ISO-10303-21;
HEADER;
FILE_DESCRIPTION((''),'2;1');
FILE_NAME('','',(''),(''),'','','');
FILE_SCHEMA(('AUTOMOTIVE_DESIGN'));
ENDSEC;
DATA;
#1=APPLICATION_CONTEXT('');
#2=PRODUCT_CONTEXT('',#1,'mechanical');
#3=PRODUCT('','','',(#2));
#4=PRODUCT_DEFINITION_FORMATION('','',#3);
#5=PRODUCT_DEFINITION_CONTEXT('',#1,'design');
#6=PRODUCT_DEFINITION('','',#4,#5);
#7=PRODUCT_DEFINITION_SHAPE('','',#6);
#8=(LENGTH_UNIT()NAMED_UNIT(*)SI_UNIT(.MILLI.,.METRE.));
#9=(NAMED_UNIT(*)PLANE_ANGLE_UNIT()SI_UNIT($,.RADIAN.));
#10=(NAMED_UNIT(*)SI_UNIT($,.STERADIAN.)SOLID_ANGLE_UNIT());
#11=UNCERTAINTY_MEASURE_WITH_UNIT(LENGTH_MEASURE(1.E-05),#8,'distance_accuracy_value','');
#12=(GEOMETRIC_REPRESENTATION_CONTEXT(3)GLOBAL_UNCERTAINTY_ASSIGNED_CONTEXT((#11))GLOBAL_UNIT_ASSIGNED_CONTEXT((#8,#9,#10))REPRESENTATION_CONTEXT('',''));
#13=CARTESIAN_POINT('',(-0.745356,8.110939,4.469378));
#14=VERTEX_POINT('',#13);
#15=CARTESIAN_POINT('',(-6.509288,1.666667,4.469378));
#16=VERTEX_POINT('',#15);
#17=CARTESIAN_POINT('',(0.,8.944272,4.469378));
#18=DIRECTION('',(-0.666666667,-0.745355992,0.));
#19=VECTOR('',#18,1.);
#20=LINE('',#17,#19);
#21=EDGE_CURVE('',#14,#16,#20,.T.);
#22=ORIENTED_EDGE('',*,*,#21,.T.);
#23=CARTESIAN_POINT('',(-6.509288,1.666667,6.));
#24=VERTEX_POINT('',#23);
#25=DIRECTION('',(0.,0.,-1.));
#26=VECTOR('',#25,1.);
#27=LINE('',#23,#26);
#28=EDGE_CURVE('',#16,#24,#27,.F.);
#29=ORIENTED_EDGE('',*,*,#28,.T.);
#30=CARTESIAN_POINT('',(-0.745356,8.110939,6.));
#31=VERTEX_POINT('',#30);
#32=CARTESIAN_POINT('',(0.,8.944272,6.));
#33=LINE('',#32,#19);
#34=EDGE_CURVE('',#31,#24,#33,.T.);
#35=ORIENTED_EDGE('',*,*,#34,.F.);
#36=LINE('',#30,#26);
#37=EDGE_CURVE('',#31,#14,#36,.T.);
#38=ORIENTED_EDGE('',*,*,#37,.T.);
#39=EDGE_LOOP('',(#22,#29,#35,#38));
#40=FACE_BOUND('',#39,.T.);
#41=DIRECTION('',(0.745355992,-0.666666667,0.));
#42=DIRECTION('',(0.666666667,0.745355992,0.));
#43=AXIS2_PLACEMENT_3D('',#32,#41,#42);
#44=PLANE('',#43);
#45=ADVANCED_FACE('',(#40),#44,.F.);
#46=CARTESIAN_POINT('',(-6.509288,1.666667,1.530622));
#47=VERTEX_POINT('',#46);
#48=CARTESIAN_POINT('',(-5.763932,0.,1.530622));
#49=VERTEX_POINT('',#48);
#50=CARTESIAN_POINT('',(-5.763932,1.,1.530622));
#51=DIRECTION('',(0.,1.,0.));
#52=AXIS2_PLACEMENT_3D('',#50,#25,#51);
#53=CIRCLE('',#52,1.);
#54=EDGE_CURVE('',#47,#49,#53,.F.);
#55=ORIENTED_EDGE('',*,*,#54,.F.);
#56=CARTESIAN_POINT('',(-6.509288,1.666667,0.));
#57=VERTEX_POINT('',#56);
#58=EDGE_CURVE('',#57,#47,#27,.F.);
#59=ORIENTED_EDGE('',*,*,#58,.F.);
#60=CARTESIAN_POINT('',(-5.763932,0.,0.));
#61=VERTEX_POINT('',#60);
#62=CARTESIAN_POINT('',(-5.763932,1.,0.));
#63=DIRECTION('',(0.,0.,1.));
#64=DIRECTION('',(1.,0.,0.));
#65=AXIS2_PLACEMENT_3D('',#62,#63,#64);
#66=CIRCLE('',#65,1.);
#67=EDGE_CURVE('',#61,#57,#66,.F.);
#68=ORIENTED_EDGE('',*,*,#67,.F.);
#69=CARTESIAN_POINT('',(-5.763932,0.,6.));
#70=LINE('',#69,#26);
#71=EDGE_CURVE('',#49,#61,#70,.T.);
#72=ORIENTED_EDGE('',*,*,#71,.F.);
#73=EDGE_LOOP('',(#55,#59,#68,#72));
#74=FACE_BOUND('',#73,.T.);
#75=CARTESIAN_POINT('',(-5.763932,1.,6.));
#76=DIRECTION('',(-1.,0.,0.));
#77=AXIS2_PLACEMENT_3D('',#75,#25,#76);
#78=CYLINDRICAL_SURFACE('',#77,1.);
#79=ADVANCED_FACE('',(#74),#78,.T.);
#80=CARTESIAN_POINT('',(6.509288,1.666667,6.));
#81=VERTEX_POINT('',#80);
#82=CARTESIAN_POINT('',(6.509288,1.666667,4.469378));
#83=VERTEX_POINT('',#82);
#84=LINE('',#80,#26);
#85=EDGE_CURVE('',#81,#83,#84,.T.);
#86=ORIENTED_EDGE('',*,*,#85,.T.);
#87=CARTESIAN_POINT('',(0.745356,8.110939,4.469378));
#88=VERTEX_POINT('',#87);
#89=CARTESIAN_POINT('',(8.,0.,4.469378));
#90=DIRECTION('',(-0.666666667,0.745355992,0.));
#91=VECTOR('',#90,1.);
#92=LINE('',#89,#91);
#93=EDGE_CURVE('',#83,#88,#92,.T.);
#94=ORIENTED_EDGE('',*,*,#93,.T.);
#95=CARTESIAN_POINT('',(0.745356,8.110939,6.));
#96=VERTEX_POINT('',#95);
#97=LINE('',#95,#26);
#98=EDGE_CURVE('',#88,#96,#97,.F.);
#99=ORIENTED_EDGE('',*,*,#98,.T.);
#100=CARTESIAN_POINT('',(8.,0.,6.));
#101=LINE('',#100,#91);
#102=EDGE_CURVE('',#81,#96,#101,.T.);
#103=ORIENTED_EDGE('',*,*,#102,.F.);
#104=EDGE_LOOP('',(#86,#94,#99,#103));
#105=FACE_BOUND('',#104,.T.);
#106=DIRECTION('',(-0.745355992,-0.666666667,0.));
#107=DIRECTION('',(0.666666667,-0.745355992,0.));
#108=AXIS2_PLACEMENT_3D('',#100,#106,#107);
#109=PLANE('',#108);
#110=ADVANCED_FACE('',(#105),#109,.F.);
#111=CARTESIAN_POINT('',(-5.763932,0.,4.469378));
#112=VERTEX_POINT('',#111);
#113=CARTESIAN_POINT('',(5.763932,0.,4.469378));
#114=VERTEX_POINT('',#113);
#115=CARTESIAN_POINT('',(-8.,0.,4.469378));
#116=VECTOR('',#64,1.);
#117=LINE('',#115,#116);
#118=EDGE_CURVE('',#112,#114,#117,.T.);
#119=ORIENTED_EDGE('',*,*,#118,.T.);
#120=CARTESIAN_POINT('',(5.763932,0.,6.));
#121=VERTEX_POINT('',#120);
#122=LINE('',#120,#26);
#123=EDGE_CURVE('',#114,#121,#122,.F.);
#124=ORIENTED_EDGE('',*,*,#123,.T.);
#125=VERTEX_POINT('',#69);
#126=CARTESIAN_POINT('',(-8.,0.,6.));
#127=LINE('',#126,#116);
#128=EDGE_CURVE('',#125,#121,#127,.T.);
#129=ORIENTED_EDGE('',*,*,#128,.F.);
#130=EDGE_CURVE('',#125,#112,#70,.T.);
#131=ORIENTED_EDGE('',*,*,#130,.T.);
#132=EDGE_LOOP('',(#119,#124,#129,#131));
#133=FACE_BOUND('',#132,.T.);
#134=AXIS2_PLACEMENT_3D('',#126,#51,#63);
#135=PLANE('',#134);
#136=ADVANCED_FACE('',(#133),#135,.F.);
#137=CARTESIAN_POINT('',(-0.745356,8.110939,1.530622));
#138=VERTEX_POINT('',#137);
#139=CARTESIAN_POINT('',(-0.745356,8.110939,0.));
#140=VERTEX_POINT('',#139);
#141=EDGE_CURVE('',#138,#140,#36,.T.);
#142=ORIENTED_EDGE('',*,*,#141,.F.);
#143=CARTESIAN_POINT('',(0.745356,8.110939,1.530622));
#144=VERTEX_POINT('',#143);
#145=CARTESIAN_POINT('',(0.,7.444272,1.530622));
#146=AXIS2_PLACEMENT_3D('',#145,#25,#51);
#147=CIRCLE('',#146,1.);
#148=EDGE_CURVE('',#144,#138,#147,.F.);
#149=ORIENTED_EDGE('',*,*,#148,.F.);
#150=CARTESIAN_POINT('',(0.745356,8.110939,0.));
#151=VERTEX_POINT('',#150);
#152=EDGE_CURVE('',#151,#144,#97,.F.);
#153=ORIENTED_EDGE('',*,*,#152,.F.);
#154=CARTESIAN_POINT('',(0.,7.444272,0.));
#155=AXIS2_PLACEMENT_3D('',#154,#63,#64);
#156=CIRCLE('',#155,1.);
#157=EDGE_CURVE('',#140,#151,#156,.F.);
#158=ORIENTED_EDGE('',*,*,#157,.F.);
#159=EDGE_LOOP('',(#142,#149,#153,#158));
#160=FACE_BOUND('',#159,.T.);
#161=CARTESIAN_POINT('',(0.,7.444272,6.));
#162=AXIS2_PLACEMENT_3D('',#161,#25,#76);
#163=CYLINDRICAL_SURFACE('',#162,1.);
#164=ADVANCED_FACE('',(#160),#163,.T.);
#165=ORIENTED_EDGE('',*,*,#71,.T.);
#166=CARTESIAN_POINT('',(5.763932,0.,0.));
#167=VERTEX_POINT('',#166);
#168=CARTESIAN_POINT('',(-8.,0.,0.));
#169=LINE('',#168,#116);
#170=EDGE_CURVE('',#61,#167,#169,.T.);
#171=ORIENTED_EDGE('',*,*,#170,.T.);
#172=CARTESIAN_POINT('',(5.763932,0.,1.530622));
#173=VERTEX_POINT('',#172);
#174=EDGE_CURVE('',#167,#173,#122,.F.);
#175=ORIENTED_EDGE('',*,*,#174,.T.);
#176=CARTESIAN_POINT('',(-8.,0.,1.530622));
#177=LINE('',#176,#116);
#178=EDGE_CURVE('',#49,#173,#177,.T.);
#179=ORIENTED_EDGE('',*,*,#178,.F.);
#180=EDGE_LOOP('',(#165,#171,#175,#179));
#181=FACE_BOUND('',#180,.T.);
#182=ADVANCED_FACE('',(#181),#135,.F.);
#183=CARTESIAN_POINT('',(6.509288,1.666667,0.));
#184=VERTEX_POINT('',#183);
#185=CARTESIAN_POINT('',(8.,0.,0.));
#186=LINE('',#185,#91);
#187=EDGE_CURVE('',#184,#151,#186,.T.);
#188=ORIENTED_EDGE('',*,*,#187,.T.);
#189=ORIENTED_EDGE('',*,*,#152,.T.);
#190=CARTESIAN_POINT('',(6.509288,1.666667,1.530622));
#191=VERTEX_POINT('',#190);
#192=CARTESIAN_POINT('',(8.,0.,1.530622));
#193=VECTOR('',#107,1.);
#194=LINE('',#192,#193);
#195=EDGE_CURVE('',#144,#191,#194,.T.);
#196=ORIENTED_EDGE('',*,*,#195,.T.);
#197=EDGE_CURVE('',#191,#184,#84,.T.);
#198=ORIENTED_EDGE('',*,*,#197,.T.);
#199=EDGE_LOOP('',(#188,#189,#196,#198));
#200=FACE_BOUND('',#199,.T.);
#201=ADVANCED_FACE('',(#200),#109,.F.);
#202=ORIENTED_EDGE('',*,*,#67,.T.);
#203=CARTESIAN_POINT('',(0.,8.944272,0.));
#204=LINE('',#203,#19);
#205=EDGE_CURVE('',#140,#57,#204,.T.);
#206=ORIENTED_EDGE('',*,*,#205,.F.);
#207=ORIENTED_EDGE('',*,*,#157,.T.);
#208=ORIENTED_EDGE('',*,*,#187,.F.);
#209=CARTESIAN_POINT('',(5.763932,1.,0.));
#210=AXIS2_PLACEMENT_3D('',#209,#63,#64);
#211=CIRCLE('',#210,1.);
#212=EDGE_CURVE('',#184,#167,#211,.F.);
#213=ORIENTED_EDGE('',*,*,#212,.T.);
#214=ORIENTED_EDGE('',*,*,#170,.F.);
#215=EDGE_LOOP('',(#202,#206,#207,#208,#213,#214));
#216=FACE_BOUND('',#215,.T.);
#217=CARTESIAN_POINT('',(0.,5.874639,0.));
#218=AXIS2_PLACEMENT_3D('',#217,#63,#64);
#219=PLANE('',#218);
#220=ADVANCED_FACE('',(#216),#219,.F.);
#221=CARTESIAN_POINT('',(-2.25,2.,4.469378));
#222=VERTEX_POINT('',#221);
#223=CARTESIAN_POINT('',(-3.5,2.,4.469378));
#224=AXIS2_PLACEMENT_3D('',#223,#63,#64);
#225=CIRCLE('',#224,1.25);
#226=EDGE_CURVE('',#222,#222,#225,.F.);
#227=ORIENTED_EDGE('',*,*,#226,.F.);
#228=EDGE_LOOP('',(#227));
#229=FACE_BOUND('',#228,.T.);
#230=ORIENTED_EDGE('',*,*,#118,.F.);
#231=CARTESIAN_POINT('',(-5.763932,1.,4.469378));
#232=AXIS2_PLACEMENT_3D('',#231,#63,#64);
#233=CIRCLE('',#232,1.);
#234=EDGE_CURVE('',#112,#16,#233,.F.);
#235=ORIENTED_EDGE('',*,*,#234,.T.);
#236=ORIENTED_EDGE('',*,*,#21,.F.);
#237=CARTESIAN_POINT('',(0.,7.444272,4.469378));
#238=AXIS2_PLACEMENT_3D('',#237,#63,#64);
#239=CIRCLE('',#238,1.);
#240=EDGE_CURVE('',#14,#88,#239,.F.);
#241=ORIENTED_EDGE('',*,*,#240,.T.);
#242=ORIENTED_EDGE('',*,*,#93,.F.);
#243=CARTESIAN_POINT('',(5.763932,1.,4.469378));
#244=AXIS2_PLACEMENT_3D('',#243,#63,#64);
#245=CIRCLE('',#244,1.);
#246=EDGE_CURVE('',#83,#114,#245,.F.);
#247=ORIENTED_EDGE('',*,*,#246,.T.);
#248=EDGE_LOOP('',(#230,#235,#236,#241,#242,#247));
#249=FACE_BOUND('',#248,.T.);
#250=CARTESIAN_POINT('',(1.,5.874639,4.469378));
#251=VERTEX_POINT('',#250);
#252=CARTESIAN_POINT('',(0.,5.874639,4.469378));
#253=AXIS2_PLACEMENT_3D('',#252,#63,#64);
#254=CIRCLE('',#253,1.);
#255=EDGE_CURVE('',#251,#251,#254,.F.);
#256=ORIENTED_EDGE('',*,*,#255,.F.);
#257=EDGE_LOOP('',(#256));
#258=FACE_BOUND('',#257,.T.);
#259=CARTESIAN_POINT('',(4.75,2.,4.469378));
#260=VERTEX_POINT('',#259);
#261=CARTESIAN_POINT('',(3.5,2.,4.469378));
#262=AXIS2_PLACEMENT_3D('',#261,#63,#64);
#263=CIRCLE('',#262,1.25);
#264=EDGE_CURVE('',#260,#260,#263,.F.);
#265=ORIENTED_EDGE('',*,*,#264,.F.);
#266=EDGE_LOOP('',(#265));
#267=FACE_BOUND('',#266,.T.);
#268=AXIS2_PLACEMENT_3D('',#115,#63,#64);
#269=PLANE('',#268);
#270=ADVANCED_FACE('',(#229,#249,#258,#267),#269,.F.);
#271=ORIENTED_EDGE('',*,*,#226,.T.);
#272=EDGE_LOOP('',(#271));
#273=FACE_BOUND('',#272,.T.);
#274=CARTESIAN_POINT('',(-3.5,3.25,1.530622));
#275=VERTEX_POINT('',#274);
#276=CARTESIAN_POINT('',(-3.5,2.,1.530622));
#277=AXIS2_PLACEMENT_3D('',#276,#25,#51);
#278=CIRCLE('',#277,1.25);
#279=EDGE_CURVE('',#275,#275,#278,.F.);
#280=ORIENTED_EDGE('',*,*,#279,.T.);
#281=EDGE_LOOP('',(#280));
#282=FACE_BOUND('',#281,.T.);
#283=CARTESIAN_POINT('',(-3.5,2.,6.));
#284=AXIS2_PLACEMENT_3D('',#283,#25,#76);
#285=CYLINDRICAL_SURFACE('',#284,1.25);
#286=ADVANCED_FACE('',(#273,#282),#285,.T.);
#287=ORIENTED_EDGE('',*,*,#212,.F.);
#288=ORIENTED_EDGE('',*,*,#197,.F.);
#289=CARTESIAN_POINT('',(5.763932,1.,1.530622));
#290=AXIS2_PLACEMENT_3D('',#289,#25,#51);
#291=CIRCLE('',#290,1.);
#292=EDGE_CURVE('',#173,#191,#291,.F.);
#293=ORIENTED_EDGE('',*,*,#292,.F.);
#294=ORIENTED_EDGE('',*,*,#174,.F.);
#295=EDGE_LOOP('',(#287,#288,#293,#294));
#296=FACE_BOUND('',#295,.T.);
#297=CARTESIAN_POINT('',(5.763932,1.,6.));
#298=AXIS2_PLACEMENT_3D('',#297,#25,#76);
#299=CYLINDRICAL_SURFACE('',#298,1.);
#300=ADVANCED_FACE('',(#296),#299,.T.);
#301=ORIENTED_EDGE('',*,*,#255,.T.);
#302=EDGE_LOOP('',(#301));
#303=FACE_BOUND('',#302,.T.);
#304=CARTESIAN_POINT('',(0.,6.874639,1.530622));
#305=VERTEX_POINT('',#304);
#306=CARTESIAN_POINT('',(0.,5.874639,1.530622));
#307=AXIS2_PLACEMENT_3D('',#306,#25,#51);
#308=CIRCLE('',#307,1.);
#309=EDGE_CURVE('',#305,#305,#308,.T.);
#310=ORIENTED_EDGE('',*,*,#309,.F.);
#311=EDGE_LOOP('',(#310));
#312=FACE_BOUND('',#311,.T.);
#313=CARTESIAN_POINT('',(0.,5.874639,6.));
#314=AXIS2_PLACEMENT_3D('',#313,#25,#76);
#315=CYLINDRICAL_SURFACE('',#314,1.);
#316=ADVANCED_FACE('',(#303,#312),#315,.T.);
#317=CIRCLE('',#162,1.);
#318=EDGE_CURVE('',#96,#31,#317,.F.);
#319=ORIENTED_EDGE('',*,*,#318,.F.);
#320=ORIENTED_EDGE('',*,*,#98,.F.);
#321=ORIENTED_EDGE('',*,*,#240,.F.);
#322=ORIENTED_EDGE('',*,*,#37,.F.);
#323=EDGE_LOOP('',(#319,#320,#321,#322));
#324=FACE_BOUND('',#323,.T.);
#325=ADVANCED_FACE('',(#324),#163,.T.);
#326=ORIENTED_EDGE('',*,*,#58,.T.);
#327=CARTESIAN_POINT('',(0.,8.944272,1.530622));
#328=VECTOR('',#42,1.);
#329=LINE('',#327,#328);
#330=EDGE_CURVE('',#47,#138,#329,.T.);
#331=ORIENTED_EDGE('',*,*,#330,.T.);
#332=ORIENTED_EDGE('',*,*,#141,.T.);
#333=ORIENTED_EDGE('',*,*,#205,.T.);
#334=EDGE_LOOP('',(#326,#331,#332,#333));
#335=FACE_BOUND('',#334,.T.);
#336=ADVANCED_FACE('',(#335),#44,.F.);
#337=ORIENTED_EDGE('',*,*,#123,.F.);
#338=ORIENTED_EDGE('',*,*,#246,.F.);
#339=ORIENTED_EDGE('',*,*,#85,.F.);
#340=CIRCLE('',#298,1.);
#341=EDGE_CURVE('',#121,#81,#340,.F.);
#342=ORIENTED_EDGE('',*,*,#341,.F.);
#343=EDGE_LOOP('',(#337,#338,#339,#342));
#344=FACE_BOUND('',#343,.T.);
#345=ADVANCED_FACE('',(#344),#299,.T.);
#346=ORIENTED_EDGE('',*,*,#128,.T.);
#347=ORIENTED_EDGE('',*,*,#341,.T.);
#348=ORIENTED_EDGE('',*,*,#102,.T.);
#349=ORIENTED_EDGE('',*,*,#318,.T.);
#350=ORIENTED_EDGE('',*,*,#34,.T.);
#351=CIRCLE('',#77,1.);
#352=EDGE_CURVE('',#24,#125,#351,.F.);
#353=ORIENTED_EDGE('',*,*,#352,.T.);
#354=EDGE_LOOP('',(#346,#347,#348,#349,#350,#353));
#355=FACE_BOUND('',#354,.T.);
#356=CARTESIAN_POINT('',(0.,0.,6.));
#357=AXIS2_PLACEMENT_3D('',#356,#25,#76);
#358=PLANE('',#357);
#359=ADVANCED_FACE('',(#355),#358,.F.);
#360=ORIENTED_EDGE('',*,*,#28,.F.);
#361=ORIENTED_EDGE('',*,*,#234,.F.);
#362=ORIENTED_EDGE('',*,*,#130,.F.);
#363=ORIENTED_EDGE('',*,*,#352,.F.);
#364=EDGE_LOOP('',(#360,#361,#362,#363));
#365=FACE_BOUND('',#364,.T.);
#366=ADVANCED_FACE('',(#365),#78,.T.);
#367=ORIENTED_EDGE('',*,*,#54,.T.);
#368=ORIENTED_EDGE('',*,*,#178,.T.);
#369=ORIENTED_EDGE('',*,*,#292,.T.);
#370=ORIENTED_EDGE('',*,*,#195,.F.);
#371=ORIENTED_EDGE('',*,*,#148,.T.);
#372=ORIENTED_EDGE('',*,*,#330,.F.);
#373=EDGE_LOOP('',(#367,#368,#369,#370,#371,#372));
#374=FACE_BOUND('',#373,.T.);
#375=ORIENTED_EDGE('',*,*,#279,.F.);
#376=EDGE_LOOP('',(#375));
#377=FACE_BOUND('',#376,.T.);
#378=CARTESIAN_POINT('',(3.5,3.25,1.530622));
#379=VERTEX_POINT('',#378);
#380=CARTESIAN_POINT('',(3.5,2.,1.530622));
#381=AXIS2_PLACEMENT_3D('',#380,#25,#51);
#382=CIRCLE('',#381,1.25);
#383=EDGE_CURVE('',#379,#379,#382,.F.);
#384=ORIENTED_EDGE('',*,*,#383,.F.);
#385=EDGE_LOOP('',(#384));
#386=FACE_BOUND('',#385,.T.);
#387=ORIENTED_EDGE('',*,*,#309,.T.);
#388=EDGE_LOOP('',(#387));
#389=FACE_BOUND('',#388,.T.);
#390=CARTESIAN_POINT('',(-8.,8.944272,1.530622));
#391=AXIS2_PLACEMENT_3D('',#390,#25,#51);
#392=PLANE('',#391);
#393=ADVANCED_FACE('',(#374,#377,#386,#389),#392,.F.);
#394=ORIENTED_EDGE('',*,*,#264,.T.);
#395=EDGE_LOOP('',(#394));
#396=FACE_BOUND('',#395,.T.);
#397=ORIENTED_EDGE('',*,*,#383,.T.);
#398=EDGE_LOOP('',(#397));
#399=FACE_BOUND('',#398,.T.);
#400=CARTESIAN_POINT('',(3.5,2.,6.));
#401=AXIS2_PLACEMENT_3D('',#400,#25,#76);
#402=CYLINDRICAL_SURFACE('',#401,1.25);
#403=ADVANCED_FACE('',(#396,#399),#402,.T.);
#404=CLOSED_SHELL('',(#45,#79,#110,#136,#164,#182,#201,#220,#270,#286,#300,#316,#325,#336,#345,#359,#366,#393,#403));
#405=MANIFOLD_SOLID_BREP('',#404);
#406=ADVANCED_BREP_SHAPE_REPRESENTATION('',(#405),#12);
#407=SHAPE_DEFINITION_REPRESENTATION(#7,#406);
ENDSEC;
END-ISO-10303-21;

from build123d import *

# Parameters (mm, degrees)
BOSS_EXTRUDE1_DEPTH     = 6
CUT_EXTRUDE1_DEPTH      = 14.416407865
CUT_EXTRUDE1_DEPTH_BACK = 14.416407865
SKETCH2_W               = 2.938755012
SKETCH2_H               = 8.94427191
SKETCH3_R               = 1
SKETCH3_R_2             = 1.25
BOSS_EXTRUDE2_DEPTH     = 6
FILLET1_R               = 1


with BuildPart() as part:
    # Sketch1 → Boss-Extrude1 (new body)
    with BuildSketch(Plane.XY):
        Polygon((-8, 0), (8, 0), (0, 8.94427191), align=None)
    extrude(amount=BOSS_EXTRUDE1_DEPTH)

    # Sketch2 → Cut-Extrude1 (cut, two sides: drawn at the far end of the back side and taken through both)
    with BuildSketch(Plane(origin=(0, 0, 0), x_dir=(0, 0, -1), z_dir=(1, 0, 0)).offset(-CUT_EXTRUDE1_DEPTH_BACK)):
        with Locations((-3, 4.472135955)):
            Rectangle(SKETCH2_W, SKETCH2_H)
    extrude(amount=CUT_EXTRUDE1_DEPTH + CUT_EXTRUDE1_DEPTH_BACK, mode=Mode.SUBTRACT)


with BuildPart() as cut_extrude1_piece_1:
    # of the separate pieces the step leaves, piece 1, a body of its own (cut_extrude1_pieces)
    add(part.part.solids().sort_by_distance((-8, 0, 0))[0])



with BuildPart() as cut_extrude1_piece_2:
    # of the separate pieces the step leaves, piece 2, a body of its own (cut_extrude1_pieces)
    add(part.part.solids().sort_by_distance((-8, 0, 4.469377506))[0])


with BuildPart() as cut_extrude1_piece_1_1:
    add(cut_extrude1_piece_1.part)

    add(cut_extrude1_piece_2.part)  # Boss-Extrude2 merges Cut-Extrude1 piece 2
    # Sketch3 → Boss-Extrude2 (add)
    with BuildSketch(Plane.XY):
        with Locations(Location((0, 5.874639057, 0), (0, 0, 90))):
            Circle(SKETCH3_R)
        with Locations(Location((-3.5, 2, 0), (0, 0, 90))):
            Circle(SKETCH3_R_2)
        with Locations(Location((3.5, 2, 0), (0, 0, 90))):
            Circle(SKETCH3_R_2)
    extrude(amount=BOSS_EXTRUDE2_DEPTH)

    # Fillet1
    fillet1_edges = [cut_extrude1_piece_1_1.edges().sort_by_distance(p)[0] for p in [
        (-8, 0, 5.234688753),
        (8, 0, 0.765311247),
        (-8, 0, 0.765311247),
        (0, 8.94427191, 0.765311247),
        (8, 0, 5.234688753),
        (0, 8.94427191, 5.234688753),
    ]]
    fillet(fillet1_edges, radius=FILLET1_R)


solid = cut_extrude1_piece_1_1.part
